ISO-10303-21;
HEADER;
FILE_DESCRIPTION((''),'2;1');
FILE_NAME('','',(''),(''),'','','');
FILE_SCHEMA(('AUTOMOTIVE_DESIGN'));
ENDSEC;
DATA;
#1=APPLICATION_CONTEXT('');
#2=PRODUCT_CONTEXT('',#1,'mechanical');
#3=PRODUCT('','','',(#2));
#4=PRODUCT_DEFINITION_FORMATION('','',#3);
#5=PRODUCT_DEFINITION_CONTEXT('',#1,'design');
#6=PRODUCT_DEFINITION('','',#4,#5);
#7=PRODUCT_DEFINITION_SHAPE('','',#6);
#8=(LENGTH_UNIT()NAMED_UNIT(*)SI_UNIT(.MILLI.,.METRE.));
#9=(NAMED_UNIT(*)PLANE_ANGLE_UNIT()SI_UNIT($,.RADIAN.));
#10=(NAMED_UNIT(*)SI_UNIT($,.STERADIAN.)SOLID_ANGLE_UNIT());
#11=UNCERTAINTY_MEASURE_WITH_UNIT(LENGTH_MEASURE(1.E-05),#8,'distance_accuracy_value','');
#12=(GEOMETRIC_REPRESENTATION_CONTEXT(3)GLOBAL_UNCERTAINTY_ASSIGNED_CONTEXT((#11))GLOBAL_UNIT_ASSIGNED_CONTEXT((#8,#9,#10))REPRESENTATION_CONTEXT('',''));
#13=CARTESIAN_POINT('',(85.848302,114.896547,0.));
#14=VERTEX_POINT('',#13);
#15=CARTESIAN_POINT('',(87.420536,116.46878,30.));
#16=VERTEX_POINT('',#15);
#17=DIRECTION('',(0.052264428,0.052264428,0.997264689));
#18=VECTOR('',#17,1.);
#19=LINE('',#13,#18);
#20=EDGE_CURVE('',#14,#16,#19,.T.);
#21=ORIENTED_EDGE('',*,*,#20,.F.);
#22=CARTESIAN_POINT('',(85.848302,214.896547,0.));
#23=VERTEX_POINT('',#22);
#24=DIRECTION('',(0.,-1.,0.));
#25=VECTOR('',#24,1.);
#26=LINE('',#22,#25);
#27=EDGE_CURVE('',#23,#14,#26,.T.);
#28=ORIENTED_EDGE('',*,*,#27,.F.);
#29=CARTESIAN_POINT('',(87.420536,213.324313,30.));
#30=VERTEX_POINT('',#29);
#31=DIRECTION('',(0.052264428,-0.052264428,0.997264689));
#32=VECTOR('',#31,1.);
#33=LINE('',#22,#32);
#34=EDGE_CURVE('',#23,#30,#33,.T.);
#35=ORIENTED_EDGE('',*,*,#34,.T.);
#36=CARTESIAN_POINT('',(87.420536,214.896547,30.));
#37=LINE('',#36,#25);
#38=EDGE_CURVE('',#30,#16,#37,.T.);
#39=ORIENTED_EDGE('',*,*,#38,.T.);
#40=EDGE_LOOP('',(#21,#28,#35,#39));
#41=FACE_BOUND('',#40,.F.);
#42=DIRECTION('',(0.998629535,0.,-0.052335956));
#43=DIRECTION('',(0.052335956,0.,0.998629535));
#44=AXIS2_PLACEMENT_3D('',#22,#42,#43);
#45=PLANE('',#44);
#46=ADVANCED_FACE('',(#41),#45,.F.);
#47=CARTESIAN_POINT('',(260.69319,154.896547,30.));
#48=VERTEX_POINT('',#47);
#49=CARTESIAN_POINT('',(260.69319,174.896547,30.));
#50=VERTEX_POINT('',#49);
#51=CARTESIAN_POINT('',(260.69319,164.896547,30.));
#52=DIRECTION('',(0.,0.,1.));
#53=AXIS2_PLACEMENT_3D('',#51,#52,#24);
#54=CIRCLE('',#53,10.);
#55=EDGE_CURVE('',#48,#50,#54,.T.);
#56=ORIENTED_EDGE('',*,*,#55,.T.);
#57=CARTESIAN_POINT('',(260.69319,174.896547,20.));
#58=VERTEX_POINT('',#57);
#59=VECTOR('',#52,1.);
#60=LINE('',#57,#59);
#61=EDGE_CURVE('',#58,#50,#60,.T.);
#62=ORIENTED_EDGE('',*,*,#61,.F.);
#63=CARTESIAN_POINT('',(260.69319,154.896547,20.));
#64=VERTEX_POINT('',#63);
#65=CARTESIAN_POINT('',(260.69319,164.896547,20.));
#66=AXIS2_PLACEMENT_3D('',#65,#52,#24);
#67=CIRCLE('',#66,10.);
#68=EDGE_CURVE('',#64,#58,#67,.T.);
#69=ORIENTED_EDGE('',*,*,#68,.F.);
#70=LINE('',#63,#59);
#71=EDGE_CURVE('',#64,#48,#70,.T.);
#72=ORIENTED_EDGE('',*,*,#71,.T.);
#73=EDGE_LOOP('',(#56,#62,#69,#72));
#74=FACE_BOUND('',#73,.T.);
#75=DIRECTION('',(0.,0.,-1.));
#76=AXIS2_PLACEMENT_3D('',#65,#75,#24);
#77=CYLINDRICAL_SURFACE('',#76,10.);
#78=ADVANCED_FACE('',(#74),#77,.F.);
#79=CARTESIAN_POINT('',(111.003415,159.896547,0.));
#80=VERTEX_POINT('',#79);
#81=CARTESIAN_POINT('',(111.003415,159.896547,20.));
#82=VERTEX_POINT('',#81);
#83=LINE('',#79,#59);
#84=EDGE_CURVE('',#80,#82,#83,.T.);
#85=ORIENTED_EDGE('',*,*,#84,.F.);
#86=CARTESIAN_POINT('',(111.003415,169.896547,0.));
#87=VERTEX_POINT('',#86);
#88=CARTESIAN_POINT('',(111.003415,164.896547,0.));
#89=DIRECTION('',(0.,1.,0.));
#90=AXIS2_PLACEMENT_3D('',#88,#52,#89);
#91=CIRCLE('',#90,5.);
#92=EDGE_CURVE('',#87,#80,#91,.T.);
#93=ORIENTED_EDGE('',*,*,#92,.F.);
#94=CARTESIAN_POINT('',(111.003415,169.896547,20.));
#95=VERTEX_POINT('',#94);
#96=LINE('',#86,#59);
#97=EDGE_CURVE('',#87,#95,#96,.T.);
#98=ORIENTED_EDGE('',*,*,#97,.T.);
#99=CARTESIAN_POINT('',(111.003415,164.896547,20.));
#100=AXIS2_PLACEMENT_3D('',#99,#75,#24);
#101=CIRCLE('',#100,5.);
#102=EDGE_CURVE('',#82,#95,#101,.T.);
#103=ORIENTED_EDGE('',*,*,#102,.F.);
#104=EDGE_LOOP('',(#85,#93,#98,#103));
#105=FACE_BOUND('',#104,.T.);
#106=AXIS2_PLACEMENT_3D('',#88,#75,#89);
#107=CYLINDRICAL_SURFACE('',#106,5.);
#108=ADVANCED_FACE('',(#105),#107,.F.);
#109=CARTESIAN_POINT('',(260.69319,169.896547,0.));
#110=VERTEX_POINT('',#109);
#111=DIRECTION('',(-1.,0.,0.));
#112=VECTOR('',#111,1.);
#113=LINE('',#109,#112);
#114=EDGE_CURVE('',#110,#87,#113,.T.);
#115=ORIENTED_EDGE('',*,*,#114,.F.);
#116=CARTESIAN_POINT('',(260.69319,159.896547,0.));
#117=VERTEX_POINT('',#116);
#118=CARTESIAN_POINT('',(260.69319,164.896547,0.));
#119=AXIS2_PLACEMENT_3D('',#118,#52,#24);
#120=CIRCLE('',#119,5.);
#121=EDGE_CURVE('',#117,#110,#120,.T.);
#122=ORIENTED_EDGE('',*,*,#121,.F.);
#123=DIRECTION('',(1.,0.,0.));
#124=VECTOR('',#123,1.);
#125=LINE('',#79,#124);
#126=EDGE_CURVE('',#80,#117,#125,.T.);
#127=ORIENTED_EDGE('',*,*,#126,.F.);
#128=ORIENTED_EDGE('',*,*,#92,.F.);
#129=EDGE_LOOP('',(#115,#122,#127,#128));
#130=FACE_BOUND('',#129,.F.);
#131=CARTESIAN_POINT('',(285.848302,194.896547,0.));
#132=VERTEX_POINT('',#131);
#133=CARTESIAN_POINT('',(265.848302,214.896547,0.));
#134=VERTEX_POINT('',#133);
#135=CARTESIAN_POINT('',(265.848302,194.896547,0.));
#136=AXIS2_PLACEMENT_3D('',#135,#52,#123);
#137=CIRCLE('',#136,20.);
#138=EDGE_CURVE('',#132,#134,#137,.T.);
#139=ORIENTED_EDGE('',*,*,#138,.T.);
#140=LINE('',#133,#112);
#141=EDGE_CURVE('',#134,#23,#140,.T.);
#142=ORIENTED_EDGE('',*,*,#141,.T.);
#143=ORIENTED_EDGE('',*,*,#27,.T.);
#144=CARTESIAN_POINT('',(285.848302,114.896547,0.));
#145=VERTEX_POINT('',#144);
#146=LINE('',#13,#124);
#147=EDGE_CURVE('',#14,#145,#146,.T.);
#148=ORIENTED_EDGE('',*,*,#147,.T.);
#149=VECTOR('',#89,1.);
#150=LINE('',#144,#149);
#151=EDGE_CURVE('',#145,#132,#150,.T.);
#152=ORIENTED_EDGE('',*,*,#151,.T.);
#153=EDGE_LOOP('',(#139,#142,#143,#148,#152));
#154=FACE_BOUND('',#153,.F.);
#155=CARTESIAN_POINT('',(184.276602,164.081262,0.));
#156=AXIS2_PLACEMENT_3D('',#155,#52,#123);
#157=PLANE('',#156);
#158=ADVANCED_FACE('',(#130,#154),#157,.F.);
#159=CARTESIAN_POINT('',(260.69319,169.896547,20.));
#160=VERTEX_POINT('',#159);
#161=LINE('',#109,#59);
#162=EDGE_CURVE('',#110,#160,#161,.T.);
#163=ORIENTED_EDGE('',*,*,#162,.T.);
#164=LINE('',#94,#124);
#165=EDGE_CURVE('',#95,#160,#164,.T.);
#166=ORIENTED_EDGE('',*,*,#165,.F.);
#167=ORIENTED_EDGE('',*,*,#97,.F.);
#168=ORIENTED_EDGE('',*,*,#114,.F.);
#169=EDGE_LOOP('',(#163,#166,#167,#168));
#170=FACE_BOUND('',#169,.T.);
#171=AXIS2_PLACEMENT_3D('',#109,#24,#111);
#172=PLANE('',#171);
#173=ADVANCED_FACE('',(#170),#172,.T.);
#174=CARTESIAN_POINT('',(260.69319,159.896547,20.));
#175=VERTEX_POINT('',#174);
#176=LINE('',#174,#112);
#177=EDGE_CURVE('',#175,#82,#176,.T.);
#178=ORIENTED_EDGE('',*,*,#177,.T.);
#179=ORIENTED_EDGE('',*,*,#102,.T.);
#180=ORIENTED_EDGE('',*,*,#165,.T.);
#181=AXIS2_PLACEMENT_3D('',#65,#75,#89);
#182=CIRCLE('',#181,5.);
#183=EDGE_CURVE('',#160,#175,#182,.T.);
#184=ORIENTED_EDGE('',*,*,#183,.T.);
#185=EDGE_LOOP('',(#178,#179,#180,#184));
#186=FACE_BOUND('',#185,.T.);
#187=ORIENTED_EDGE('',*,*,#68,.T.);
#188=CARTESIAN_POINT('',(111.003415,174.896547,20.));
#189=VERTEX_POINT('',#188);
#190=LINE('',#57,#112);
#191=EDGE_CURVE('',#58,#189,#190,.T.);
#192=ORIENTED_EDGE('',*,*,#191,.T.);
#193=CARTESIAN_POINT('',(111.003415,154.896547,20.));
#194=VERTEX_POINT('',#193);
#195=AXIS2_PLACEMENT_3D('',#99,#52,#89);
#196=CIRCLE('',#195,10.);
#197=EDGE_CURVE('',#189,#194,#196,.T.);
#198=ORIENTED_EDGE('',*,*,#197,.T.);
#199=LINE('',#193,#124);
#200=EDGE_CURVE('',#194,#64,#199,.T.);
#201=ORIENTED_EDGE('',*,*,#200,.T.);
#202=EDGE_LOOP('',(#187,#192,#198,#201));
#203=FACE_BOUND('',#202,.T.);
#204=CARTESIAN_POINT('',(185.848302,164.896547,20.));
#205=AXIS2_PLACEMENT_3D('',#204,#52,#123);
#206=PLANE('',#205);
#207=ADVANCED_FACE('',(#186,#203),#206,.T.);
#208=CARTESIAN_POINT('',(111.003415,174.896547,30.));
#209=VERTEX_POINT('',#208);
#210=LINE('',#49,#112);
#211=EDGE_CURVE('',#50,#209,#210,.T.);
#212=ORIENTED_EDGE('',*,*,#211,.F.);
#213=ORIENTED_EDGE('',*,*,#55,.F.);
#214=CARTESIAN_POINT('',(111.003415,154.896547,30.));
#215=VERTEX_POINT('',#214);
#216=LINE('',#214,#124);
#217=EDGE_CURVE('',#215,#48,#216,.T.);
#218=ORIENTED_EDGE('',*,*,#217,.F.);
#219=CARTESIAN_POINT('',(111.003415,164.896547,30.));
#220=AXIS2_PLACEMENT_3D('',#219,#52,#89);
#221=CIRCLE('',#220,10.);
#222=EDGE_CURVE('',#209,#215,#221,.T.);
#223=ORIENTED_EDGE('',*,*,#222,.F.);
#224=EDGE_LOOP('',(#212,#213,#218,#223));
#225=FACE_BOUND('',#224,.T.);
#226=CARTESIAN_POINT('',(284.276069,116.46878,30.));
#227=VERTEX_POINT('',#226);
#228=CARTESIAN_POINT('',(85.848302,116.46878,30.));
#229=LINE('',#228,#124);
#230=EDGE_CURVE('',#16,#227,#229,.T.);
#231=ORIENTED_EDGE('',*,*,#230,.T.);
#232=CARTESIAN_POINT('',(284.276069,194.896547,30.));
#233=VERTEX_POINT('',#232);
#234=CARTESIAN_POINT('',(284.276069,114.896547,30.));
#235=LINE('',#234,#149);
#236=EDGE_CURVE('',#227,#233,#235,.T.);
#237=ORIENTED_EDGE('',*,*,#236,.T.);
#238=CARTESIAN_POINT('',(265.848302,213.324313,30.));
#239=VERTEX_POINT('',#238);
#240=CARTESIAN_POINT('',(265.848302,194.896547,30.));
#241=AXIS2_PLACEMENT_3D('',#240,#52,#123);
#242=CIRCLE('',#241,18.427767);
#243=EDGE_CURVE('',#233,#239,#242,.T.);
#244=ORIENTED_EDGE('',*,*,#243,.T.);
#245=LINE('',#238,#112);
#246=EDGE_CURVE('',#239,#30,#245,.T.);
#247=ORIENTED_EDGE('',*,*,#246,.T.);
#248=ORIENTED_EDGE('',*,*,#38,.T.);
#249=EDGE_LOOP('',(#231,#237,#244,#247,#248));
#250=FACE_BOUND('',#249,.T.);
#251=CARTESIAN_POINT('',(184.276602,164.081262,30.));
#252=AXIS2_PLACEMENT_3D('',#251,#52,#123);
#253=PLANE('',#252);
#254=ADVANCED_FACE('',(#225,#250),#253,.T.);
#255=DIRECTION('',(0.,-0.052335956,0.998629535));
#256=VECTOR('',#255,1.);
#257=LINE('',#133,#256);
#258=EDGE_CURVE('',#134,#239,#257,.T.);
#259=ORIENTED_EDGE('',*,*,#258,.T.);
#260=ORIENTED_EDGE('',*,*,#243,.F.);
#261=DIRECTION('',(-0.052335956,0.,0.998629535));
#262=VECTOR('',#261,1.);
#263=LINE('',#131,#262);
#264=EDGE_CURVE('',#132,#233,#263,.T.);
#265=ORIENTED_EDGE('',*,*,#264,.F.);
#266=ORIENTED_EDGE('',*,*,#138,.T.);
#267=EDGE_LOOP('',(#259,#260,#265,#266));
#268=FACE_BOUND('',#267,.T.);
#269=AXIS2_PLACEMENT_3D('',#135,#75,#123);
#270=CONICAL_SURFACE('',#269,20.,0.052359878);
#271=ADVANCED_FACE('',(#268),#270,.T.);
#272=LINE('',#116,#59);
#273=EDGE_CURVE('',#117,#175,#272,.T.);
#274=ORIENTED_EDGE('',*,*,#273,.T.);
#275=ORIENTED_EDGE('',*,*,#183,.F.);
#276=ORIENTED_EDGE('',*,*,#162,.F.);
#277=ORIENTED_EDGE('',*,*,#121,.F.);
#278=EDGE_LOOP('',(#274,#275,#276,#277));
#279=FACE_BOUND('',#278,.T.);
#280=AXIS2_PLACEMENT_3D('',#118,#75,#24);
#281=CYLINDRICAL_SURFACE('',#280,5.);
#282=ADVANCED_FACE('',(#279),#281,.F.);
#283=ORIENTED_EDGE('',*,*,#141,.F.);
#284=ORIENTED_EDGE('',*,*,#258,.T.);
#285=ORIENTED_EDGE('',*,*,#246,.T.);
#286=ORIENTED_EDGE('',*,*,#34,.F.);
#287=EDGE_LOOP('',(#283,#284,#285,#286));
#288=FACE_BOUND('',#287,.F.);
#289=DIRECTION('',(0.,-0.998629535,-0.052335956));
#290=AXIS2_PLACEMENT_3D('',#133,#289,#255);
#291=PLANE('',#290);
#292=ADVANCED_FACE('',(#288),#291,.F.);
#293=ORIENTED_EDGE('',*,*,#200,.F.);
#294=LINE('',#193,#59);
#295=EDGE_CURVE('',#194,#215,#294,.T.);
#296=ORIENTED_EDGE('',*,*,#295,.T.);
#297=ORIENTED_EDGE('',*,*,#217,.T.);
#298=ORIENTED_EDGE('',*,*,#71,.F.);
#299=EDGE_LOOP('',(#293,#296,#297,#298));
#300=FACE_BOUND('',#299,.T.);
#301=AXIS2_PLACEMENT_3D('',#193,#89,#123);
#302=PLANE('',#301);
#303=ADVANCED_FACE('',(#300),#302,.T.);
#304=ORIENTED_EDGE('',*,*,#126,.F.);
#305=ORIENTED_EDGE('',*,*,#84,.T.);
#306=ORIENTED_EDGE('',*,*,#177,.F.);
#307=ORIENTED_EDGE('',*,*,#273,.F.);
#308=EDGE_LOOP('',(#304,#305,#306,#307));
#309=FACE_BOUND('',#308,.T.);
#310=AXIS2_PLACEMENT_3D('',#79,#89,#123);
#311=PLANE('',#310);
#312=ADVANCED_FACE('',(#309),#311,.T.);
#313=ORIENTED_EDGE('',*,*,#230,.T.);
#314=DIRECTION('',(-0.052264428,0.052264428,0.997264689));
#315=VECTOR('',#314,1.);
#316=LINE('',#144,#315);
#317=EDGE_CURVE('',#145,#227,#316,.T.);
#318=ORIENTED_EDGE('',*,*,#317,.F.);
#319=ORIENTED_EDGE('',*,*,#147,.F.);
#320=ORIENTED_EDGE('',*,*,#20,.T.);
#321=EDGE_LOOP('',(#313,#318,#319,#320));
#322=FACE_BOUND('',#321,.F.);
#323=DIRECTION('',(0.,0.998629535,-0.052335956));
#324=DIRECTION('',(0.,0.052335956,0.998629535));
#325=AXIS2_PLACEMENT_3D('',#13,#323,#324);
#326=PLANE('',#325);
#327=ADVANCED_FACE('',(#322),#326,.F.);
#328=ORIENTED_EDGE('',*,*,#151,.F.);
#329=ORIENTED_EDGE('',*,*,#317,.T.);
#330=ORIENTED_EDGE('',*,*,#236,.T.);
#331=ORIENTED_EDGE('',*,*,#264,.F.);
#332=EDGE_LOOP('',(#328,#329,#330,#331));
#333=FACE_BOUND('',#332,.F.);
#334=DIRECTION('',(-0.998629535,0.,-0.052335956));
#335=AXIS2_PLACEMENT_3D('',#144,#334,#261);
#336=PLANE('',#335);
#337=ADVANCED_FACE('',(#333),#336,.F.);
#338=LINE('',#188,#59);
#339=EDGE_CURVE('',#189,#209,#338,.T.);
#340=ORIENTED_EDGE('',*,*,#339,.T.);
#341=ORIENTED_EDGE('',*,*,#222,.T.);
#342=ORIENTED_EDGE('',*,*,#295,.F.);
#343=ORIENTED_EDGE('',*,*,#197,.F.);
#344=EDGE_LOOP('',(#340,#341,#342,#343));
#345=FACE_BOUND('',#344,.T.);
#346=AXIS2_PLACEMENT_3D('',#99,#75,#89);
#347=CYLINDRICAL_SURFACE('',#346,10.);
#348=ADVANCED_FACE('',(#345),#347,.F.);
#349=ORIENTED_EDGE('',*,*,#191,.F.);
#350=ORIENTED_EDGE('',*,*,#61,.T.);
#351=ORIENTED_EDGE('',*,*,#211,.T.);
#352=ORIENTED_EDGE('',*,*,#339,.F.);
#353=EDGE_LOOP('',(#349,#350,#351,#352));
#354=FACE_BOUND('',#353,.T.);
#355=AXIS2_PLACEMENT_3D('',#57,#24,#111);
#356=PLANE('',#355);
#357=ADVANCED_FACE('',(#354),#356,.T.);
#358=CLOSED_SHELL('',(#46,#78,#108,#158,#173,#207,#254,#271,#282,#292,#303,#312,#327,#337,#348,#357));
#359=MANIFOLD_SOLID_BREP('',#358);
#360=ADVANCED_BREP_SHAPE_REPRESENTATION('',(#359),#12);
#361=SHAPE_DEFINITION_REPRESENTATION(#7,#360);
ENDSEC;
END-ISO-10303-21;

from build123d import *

# Parameters (mm, degrees)
F1_DEPTH = 30
F1_TAPER = 3
F2_DEPTH = 30
F3_START = 20
F3_DEPTH = 10


with BuildPart() as f1:
    # F0 (on Top) → F1 (new body)
    with BuildSketch(Plane.XY):
        with BuildLine():
            Line((265.848302468, 214.8965468303), (85.848302468, 214.8965468303))
            Line((85.848302468, 214.8965468303), (85.848302468, 114.8965468303))
            Line((85.848302468, 114.8965468303), (285.848302468, 114.8965468303))
            Line((285.848302468, 114.8965468303), (285.848302468, 194.8965468303))
            ThreePointArc((285.848302468, 194.8965468303), (279.9904380917, 209.0386824541), (265.848302468, 214.8965468303))
        make_face()
        with BuildLine():
            Line((260.6931902693, 154.8965468303), (111.0034146666, 154.8965468303))
            ThreePointArc((111.0034146666, 154.8965468303), (101.0034146666, 164.8965468303), (111.0034146666, 174.8965468303))
            Line((111.0034146666, 174.8965468303), (260.6931902693, 174.8965468303))
            ThreePointArc((260.6931902693, 174.8965468303), (270.6931902693, 164.8965468303), (260.6931902693, 154.8965468303))
        make_face(mode=Mode.SUBTRACT)
        with BuildLine():
            ThreePointArc((111.0034146666, 174.8965468303), (101.0034146666, 164.8965468303), (111.0034146666, 154.8965468303))
            Line((111.0034146666, 154.8965468303), (260.6931902693, 154.8965468303))
            ThreePointArc((260.6931902693, 154.8965468303), (270.6931902693, 164.8965468303), (260.6931902693, 174.8965468303))
            Line((260.6931902693, 174.8965468303), (111.0034146666, 174.8965468303))
        make_face()
        with BuildLine():
            Line((260.6931902693, 159.8965468303), (111.0034146666, 159.8965468303))
            ThreePointArc((111.0034146666, 159.8965468303), (106.0034146666, 164.8965468303), (111.0034146666, 169.8965468303))
            Line((111.0034146666, 169.8965468303), (260.6931902693, 169.8965468303))
            ThreePointArc((260.6931902693, 169.8965468303), (265.6931902693, 164.8965468303), (260.6931902693, 159.8965468303))
        make_face(mode=Mode.SUBTRACT)
        with BuildLine():
            ThreePointArc((111.0034146666, 169.8965468303), (106.0034146666, 164.8965468303), (111.0034146666, 159.8965468303))
            Line((111.0034146666, 159.8965468303), (260.6931902693, 159.8965468303))
            ThreePointArc((260.6931902693, 159.8965468303), (265.6931902693, 164.8965468303), (260.6931902693, 169.8965468303))
            Line((260.6931902693, 169.8965468303), (111.0034146666, 169.8965468303))
        make_face()
    extrude(amount=F1_DEPTH, taper=F1_TAPER)

    # F0 (on Top) → F2 (cut)
    with BuildSketch(Plane.XY):
        with BuildLine():
            ThreePointArc((111.0034146666, 169.8965468303), (106.0034146666, 164.8965468303), (111.0034146666, 159.8965468303))
            Line((111.0034146666, 159.8965468303), (260.6931902693, 159.8965468303))
            ThreePointArc((260.6931902693, 159.8965468303), (265.6931902693, 164.8965468303), (260.6931902693, 169.8965468303))
            Line((260.6931902693, 169.8965468303), (111.0034146666, 169.8965468303))
        make_face()
    extrude(amount=F2_DEPTH, mode=Mode.SUBTRACT)

    # F0 (on Top) → F3 (cut)
    with BuildSketch(Plane.XY.offset(F3_START)):
        with BuildLine():
            ThreePointArc((111.0034146666, 174.8965468303), (101.0034146666, 164.8965468303), (111.0034146666, 154.8965468303))
            Line((111.0034146666, 154.8965468303), (260.6931902693, 154.8965468303))
            ThreePointArc((260.6931902693, 154.8965468303), (270.6931902693, 164.8965468303), (260.6931902693, 174.8965468303))
            Line((260.6931902693, 174.8965468303), (111.0034146666, 174.8965468303))
        make_face()
        with BuildLine():
            Line((260.6931902693, 159.8965468303), (111.0034146666, 159.8965468303))
            ThreePointArc((111.0034146666, 159.8965468303), (106.0034146666, 164.8965468303), (111.0034146666, 169.8965468303))
            Line((111.0034146666, 169.8965468303), (260.6931902693, 169.8965468303))
            ThreePointArc((260.6931902693, 169.8965468303), (265.6931902693, 164.8965468303), (260.6931902693, 159.8965468303))
        make_face(mode=Mode.SUBTRACT)
    extrude(amount=F3_DEPTH, mode=Mode.SUBTRACT)


solid = f1.part
